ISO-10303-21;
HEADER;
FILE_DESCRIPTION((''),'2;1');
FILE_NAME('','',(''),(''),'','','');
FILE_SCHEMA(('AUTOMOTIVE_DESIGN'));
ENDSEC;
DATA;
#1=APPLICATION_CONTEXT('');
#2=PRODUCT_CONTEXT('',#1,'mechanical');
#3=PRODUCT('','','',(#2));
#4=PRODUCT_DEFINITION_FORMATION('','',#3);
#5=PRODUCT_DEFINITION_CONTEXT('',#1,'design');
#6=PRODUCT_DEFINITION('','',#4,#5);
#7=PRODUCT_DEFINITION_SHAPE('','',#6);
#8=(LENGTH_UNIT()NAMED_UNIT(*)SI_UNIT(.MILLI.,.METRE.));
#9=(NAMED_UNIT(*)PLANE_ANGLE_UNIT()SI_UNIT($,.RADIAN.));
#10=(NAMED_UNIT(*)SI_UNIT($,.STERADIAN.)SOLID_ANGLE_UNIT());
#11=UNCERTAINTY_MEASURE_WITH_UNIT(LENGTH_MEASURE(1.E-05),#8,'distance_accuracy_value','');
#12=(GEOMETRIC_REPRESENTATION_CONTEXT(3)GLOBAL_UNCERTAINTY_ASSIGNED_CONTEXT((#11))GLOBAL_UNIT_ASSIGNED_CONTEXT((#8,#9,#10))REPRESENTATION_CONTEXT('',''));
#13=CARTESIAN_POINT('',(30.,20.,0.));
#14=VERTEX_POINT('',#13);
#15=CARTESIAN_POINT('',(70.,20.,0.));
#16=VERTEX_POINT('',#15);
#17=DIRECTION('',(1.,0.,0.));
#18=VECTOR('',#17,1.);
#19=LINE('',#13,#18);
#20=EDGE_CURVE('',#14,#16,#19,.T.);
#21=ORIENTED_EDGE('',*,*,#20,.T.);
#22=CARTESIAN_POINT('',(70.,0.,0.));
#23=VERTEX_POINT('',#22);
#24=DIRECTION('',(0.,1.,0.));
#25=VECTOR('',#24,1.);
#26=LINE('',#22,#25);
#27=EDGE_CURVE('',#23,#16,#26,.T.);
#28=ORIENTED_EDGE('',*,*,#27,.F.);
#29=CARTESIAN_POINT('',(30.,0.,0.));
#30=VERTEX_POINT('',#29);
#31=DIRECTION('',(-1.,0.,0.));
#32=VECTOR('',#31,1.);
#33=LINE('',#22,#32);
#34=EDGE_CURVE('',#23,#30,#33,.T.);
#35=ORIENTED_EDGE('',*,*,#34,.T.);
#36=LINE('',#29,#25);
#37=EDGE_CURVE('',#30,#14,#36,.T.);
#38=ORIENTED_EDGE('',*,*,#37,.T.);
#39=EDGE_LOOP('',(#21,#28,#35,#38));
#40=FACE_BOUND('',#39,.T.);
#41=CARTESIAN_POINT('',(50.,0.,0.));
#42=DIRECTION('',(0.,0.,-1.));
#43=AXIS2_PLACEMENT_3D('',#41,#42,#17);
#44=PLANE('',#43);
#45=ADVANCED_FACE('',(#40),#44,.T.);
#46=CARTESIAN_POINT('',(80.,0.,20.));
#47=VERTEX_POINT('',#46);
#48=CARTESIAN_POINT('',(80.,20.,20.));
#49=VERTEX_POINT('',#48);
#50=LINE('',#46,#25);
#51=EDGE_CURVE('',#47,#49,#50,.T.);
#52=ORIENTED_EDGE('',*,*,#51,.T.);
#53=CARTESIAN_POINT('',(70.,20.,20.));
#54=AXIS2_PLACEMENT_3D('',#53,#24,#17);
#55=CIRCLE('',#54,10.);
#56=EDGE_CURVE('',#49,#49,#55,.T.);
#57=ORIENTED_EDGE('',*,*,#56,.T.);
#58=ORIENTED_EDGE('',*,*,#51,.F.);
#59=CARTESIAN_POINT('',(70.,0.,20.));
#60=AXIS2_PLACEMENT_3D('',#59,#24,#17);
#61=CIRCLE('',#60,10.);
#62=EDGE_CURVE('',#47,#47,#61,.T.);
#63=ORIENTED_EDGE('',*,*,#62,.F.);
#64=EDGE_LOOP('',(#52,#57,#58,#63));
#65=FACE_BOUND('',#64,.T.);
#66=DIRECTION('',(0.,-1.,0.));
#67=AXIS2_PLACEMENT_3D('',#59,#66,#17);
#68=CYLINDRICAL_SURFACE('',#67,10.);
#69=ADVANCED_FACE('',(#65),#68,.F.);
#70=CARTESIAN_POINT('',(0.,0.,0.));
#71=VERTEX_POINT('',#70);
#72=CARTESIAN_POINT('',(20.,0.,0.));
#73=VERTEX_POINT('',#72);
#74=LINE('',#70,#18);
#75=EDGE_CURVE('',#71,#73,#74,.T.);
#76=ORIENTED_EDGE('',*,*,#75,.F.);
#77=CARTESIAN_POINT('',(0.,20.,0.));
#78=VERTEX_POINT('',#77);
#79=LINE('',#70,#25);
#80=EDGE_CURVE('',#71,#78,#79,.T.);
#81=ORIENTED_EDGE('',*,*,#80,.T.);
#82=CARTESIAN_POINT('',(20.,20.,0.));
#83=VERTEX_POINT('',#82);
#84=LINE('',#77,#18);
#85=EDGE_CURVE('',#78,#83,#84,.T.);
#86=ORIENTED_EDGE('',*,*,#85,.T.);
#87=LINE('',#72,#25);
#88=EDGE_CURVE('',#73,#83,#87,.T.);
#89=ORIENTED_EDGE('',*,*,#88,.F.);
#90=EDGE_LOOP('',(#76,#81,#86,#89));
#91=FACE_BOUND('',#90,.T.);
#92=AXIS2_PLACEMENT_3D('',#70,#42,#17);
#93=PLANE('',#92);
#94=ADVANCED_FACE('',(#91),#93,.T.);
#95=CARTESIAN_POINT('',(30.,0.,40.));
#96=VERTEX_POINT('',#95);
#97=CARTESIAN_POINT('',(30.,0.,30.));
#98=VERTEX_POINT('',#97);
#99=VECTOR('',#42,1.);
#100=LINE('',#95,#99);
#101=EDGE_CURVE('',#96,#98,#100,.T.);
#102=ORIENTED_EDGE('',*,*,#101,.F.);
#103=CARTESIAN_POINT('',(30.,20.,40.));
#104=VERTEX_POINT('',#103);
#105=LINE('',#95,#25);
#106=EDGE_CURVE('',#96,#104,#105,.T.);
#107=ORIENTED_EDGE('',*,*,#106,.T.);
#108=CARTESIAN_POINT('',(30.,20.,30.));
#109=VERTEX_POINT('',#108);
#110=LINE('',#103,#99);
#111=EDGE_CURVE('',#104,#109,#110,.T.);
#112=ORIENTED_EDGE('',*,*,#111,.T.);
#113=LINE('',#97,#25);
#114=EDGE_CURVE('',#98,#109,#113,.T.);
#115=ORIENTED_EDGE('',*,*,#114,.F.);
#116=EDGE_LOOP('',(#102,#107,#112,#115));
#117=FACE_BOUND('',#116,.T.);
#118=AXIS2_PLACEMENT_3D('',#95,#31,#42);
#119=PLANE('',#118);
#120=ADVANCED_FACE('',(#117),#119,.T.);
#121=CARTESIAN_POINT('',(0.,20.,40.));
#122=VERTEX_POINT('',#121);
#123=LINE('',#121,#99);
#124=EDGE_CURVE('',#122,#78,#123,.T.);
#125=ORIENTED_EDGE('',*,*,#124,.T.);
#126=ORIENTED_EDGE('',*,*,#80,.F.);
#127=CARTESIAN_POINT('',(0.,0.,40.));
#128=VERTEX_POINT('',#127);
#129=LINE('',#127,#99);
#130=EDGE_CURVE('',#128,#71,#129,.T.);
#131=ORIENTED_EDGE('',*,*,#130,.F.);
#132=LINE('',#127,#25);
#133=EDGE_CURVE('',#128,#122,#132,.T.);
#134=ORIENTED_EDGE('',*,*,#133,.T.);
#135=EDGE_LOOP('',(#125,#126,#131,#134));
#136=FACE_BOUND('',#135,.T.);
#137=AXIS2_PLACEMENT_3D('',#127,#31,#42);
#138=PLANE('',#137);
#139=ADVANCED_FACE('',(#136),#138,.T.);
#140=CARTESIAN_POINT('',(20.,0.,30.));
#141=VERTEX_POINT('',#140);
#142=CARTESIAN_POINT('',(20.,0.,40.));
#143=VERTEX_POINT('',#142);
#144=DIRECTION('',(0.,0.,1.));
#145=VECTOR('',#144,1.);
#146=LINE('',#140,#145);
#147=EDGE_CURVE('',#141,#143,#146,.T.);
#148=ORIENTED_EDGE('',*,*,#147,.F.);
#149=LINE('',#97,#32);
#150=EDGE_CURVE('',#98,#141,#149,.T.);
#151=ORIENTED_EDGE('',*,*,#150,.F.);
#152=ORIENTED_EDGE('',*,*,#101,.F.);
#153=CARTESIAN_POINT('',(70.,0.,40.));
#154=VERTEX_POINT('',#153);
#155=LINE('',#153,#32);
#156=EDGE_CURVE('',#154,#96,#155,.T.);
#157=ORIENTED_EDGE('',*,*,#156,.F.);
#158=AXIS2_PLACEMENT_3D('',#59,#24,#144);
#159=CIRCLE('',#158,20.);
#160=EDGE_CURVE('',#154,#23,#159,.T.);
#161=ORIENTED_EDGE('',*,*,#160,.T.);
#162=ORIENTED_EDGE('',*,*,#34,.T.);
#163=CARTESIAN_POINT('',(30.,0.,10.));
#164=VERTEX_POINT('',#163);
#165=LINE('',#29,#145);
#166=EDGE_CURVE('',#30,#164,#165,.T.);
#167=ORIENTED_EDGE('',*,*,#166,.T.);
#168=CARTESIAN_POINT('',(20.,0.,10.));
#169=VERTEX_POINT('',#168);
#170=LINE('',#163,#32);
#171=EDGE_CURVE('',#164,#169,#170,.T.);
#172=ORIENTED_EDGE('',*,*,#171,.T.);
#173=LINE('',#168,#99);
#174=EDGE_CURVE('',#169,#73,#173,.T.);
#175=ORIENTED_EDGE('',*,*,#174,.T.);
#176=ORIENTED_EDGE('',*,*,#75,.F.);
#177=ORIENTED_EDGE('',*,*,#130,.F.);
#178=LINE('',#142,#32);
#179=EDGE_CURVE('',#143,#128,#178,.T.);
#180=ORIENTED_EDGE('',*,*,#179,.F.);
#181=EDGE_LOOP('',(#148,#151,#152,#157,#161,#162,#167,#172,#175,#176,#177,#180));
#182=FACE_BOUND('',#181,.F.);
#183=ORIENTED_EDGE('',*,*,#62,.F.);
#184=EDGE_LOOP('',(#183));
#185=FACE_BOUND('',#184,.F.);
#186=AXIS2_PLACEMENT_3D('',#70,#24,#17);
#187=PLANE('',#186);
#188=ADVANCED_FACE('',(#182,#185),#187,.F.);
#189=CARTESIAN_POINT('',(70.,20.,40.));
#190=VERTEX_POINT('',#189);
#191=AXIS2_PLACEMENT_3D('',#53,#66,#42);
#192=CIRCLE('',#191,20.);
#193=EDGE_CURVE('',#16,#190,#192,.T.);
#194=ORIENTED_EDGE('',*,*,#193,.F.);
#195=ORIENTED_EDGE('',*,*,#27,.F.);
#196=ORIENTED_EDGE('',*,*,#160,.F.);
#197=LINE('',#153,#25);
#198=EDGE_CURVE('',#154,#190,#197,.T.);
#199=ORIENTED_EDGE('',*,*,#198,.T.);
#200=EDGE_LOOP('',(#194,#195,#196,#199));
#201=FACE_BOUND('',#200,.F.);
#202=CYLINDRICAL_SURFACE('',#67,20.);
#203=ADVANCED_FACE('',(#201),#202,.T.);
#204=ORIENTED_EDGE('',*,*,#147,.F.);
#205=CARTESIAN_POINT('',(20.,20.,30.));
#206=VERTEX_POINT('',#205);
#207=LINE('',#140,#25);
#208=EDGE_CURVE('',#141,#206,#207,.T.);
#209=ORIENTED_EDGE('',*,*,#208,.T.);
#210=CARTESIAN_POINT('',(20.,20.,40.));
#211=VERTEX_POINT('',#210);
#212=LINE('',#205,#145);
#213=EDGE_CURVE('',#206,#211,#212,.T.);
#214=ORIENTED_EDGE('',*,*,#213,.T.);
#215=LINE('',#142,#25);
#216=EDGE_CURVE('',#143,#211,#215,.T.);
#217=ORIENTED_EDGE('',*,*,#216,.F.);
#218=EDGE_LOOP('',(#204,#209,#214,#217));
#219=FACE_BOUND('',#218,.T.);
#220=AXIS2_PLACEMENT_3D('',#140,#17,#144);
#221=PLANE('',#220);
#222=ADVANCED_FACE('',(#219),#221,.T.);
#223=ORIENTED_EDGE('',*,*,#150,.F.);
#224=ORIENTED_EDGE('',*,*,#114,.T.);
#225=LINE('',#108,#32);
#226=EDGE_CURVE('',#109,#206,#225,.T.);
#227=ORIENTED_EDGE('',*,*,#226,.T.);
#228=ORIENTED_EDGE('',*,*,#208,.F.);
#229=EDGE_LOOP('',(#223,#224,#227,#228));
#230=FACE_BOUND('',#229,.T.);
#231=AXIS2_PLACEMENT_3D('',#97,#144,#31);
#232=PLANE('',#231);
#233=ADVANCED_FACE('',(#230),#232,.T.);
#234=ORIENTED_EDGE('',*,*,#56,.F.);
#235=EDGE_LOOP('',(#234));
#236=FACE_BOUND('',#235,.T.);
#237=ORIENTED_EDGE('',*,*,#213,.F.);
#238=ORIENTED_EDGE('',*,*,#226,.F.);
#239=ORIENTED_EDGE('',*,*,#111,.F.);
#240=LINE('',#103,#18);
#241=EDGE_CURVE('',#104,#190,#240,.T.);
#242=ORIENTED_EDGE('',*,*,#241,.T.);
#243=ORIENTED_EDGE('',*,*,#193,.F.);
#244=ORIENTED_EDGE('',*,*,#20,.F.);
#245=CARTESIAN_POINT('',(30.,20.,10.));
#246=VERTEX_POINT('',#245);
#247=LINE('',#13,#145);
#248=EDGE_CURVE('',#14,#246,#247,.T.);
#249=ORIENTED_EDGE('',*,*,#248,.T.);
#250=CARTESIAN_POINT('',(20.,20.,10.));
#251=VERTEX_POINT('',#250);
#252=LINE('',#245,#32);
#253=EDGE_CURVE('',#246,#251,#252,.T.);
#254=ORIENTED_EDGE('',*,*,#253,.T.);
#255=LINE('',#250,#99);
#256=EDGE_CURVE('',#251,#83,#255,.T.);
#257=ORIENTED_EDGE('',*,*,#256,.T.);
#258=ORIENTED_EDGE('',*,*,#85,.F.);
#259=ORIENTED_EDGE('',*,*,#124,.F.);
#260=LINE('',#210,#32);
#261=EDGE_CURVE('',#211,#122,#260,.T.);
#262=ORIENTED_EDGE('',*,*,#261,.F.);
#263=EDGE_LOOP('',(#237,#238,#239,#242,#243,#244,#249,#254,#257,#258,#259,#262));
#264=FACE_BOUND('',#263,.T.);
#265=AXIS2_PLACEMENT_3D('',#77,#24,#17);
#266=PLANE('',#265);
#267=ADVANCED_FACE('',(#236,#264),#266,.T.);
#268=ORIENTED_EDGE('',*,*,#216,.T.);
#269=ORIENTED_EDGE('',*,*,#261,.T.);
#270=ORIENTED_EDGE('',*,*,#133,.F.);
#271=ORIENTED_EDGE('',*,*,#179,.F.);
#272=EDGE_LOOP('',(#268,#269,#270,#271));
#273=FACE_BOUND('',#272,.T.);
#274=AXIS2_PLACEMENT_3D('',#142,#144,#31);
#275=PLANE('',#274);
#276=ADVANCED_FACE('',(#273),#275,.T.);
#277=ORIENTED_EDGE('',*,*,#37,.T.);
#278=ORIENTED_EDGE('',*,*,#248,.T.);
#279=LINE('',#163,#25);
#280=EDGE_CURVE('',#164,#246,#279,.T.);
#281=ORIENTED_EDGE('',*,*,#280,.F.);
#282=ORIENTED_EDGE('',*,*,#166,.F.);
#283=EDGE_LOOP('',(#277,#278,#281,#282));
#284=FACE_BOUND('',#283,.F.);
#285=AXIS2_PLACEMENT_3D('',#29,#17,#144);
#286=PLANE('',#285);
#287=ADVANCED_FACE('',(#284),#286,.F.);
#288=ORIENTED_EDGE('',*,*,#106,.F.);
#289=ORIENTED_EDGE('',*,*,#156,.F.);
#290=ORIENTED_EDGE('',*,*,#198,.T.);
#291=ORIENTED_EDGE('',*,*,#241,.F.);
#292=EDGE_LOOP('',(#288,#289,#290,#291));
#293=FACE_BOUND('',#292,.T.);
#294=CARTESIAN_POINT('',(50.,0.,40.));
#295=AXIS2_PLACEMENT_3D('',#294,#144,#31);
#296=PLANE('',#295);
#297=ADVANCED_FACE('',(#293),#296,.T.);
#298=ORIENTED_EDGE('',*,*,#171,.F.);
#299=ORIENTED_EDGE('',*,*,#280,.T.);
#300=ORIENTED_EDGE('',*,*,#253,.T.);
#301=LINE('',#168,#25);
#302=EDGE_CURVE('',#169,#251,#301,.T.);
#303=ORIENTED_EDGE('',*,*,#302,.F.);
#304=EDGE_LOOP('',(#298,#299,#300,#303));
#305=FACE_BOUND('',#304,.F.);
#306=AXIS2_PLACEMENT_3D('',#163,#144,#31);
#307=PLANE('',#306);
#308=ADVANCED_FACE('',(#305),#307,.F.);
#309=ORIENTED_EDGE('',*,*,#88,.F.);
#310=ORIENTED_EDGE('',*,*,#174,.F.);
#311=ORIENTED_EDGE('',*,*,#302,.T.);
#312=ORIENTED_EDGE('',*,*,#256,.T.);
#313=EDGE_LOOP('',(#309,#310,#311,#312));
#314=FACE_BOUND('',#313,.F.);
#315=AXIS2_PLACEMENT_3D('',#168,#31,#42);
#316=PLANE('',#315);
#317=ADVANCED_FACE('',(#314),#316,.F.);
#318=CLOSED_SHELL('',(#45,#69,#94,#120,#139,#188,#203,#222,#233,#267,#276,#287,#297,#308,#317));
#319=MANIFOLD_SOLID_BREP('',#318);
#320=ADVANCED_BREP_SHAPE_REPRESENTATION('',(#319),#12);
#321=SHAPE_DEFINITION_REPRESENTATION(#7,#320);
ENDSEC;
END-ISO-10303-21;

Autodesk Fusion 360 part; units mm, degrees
sketch "Sketch1" plane through (0, 0, 0) normal (0, 1, 0) x (1, 0, 0)
  line L0 (50, 0) -> (50, -40)
  line L1 (0, -40) -> (0, 0)
  line L2 (0, 0) -> (20, 0)
  line L3 (30, 0) -> (30, -10)
  line L4 (30, -10) -> (20, -10)
  line L5 (20, -10) -> (20, 0)
  line L6 (0, 0) -> (20, 0)
  line L7 (30, 0) -> (50, 0)
  line L8 (30, -40) -> (30, -30)
  line L9 (30, -30) -> (20, -30)
  line L10 (20, -30) -> (20, -40)
  line L11 (50, -40) -> (30, -40)
  line L12 (20, -40) -> (0, -40)
  circle A0 centre (70, -20) radius 20
  line L13 (50, 0) -> (70, 0)
  line L14 (50, -40) -> (70, -40)
  circle A1 centre (70, -20) radius 10
  dimension "d1" = 50
  dimension "d2" = 40
  dimension "d3" = 20
  dimension "d4" = 10
  dimension "d5" = 10
  dimension "d6" = 20
  dimension "d7" = 10
  dimension "d8" = 10
  dimension "d9" = 20
extrude "Extrude1" add sketch "Sketch1" along normal blind 20
